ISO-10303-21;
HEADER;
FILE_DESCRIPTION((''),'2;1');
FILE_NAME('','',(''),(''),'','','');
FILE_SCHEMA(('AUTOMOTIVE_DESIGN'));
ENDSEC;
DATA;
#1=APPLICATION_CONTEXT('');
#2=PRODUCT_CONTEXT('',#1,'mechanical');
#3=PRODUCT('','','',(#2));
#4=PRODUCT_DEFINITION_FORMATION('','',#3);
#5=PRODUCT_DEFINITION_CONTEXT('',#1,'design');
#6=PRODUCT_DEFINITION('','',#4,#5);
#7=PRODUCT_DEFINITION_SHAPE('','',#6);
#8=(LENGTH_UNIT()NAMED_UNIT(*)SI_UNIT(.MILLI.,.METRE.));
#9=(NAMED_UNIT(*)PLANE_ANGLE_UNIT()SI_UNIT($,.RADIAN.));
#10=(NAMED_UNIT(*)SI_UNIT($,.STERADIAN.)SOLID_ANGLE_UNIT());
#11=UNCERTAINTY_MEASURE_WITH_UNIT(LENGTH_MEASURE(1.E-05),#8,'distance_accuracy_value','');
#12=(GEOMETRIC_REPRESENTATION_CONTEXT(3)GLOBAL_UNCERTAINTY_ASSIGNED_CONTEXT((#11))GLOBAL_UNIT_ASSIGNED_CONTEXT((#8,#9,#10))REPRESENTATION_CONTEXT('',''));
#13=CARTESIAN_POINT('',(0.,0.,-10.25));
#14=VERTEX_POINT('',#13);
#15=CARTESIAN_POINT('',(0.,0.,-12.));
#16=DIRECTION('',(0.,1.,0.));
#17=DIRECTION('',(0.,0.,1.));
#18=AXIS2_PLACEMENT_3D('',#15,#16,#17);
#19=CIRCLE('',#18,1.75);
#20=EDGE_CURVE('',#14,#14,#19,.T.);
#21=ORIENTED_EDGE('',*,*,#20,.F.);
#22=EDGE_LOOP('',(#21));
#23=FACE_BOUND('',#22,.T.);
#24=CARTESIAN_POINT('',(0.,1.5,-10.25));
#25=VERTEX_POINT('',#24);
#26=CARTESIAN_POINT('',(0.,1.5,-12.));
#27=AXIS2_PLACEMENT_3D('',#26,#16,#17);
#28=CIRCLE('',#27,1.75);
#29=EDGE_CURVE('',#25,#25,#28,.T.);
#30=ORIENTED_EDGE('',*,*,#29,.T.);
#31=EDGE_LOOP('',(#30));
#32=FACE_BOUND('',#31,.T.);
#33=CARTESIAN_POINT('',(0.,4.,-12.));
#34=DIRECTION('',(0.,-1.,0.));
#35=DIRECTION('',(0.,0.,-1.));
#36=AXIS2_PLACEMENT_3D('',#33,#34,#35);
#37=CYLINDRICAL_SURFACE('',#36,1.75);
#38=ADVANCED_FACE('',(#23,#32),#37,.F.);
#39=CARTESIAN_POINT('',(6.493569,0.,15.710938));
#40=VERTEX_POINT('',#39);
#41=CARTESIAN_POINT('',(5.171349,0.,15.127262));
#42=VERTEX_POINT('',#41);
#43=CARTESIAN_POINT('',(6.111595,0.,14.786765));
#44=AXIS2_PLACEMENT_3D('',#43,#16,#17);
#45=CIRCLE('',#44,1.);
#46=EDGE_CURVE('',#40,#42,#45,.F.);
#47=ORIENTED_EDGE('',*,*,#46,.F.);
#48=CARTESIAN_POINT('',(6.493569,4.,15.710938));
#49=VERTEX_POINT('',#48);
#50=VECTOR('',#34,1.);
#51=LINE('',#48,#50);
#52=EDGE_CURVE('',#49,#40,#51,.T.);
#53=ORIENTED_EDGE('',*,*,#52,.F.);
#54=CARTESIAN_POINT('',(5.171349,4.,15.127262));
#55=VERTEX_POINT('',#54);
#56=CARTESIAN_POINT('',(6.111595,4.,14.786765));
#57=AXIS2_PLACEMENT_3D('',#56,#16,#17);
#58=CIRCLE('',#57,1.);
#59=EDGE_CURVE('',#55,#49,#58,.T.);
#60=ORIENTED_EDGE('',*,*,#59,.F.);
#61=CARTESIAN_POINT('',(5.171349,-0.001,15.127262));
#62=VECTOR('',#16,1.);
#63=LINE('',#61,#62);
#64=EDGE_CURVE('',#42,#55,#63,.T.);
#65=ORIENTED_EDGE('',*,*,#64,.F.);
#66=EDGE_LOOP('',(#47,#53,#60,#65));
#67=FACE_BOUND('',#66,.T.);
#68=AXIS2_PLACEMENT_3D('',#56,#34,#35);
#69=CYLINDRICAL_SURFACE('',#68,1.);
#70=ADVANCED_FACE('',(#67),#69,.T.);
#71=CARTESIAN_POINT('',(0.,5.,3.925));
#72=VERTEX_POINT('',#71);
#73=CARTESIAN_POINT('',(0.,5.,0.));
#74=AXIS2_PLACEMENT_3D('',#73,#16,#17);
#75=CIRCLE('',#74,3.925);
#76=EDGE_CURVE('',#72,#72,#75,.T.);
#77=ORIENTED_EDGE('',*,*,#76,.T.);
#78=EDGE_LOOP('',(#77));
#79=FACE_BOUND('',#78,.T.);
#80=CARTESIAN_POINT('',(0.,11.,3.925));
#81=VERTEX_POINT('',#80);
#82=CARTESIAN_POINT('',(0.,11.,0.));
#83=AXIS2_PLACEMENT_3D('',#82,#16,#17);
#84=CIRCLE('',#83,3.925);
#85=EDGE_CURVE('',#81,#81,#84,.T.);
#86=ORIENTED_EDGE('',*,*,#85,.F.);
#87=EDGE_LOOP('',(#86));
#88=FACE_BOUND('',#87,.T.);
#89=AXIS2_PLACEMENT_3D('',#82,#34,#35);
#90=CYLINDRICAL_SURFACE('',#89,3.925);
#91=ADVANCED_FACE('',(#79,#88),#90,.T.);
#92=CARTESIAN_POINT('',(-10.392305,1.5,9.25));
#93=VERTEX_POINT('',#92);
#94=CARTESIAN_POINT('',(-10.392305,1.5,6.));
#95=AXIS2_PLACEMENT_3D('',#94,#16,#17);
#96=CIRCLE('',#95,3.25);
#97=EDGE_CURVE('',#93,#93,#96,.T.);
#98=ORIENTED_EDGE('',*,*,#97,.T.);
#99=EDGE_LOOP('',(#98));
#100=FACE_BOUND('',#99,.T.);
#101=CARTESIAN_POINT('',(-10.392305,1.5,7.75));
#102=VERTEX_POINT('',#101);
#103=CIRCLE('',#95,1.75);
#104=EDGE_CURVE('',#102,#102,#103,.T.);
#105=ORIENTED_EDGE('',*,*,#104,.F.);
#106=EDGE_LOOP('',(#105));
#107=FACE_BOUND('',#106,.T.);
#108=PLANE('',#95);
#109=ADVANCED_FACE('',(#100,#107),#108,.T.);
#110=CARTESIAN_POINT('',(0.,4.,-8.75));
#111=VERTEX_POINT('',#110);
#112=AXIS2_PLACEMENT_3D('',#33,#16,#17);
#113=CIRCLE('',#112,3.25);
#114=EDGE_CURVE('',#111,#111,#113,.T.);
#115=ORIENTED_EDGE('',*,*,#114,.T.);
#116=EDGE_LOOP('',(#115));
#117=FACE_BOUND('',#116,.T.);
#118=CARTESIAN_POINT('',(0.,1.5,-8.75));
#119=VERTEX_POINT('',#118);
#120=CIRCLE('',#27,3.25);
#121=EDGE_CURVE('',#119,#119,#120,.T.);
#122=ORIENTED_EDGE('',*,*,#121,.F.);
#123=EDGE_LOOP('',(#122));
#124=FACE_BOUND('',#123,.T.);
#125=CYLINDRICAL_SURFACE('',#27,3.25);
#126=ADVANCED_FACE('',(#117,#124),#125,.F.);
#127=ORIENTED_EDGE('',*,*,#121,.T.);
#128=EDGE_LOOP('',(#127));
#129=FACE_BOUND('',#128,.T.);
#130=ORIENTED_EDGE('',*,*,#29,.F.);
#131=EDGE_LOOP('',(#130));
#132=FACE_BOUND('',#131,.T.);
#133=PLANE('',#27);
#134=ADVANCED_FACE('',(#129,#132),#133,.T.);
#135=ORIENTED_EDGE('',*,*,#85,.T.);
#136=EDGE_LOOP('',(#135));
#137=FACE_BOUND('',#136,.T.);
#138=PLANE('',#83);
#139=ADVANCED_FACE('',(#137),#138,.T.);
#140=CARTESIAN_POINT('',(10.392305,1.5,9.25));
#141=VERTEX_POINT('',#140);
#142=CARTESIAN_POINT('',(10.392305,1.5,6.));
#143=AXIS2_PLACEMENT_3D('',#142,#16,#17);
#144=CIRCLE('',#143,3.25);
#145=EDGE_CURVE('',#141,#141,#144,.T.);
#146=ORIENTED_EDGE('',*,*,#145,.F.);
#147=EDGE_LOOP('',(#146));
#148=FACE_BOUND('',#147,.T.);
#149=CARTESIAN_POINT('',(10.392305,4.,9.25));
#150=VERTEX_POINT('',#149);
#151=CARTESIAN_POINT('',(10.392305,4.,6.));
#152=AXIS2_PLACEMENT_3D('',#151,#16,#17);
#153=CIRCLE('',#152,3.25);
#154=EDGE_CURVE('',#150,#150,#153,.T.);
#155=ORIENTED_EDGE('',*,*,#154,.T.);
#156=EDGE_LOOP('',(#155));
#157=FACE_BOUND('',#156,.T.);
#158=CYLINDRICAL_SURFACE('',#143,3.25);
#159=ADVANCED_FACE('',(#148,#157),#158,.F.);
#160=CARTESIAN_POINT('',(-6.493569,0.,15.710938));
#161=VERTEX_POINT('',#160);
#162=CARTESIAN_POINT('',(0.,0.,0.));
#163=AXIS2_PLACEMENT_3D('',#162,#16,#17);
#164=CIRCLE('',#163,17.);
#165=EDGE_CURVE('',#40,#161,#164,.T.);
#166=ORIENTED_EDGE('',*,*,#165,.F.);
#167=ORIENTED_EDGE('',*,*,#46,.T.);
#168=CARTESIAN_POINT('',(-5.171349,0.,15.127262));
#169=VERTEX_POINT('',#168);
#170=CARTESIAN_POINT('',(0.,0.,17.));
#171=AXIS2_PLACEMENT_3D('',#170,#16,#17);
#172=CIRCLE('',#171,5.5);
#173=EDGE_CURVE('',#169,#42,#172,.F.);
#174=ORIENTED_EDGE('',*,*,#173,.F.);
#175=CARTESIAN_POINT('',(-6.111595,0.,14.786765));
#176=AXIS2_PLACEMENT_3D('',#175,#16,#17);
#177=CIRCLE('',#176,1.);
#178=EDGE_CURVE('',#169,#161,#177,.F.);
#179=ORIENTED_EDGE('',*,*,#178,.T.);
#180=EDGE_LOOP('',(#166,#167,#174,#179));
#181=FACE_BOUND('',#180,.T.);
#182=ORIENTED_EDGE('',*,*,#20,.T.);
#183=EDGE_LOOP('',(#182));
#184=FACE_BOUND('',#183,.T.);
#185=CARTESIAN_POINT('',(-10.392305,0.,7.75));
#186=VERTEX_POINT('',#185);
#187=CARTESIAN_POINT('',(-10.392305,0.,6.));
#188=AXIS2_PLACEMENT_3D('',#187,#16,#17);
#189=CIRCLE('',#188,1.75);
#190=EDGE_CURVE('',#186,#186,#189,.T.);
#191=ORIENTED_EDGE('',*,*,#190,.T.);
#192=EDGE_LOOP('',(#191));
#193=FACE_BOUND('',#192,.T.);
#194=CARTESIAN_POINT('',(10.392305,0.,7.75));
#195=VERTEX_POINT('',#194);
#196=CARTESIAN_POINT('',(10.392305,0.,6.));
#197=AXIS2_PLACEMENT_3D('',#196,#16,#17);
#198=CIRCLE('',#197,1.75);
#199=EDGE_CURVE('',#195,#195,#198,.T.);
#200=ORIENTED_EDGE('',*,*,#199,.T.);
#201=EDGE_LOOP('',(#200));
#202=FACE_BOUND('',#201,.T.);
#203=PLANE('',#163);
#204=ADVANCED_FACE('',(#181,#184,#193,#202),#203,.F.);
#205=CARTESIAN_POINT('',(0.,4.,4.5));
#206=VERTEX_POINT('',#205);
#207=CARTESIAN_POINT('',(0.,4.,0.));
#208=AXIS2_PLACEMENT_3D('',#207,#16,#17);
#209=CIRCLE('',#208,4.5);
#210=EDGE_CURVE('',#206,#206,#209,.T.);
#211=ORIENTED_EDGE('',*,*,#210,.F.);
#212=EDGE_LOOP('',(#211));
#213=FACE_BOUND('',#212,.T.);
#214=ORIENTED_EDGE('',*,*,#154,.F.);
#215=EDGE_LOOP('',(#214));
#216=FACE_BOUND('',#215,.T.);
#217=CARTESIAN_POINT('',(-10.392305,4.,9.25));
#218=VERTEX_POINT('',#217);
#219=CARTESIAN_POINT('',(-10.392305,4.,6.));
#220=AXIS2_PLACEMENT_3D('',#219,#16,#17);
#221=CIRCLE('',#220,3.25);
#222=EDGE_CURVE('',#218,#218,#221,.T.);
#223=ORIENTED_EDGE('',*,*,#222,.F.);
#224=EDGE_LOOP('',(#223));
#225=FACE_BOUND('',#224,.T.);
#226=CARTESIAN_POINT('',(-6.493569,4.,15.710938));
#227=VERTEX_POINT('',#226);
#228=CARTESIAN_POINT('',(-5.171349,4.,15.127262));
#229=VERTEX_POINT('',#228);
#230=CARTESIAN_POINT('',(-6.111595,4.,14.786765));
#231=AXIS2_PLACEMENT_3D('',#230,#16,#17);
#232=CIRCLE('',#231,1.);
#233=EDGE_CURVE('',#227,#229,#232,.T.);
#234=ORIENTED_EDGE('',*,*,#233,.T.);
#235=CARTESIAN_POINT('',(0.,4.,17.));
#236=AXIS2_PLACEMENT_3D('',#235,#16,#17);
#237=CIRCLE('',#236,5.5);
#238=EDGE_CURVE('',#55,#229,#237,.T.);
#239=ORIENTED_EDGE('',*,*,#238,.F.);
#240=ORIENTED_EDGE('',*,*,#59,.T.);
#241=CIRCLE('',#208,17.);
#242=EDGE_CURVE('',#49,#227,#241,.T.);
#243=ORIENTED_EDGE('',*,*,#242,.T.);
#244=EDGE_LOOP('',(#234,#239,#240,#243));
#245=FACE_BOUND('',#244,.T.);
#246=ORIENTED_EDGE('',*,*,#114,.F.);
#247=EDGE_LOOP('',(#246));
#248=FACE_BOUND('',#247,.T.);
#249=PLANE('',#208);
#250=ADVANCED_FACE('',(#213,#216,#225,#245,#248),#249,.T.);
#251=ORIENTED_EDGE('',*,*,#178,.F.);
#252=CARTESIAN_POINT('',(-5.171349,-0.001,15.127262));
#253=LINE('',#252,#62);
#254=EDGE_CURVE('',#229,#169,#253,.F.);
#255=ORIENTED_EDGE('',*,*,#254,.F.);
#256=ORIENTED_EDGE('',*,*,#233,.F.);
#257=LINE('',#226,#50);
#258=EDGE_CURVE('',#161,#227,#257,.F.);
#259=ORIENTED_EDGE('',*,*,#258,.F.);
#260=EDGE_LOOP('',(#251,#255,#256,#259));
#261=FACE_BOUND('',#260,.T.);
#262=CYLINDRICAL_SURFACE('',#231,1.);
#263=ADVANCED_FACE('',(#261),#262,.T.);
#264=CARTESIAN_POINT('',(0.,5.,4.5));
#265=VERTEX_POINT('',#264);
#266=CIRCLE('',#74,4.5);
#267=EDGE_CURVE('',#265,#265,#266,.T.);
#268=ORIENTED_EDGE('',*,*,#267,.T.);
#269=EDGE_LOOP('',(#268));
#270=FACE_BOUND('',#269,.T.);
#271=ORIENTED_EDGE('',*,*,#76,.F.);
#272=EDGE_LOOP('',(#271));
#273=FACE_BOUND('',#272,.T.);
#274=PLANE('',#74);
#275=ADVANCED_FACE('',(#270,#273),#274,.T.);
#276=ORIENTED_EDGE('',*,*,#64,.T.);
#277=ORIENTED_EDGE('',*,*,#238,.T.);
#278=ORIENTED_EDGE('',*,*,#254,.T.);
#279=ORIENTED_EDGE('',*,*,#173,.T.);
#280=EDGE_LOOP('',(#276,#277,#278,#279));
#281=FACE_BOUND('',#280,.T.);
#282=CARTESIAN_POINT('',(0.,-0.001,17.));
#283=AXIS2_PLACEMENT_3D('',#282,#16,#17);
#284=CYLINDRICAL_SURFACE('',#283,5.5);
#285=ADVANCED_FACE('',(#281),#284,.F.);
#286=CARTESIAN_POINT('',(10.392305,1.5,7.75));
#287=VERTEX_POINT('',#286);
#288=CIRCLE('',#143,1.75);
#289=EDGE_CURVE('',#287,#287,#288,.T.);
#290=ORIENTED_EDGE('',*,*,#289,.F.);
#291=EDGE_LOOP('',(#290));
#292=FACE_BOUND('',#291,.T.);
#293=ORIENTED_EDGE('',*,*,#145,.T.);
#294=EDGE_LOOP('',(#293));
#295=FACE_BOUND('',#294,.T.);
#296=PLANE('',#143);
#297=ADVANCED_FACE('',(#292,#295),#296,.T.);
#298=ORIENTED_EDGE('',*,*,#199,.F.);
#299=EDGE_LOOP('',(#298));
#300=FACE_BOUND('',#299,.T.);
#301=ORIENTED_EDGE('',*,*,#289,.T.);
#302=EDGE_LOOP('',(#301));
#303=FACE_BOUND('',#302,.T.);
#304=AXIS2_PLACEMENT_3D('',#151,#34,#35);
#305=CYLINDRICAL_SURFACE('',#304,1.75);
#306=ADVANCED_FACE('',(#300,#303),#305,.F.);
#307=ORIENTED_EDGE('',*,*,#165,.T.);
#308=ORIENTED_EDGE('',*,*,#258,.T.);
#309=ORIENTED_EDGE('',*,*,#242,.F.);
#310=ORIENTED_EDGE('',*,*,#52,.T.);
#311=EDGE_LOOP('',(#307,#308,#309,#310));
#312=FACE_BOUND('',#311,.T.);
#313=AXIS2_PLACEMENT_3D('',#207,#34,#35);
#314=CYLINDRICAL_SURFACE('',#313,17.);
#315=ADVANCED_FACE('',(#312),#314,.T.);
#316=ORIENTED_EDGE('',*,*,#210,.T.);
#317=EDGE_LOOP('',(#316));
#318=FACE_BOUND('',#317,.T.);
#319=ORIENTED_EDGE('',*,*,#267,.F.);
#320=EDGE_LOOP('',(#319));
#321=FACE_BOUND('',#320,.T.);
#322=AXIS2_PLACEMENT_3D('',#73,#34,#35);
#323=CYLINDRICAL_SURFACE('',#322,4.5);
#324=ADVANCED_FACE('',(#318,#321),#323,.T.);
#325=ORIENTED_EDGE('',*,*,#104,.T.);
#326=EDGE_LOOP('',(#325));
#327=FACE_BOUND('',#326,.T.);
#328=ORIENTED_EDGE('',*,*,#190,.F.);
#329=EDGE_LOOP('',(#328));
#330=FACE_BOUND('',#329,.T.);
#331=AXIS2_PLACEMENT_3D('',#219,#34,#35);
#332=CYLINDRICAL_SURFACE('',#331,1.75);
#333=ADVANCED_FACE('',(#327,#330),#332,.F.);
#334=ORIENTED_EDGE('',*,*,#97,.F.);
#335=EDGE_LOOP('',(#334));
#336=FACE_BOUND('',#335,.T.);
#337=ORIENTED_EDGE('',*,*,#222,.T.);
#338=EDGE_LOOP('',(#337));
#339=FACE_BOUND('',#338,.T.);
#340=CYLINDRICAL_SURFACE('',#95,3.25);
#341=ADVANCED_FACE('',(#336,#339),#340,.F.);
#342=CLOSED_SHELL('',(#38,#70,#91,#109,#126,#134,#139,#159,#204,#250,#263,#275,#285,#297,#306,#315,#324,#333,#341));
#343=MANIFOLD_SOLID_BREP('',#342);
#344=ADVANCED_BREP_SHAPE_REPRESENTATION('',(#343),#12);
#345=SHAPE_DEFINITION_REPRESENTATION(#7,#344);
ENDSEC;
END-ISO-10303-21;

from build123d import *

# Parameters (mm, degrees)
SKETCH1_R           = 17
SKETCH1_R_2         = 1.75
BOSS_EXTRUDE1_DEPTH = 4
SKETCH2_R           = 3.25
CUT_EXTRUDE1_DEPTH  = 2.5
SKETCH3_R           = 4.5
BOSS_EXTRUDE2_DEPTH = 1
SKETCH4_R           = 3.925
BOSS_EXTRUDE3_DEPTH = 6
CUT_EXTRUDE2_REACH  = 27.04
SKETCH5_R           = 5.5
FILLET1_R           = 1


with BuildPart() as part:
    # Sketch1 → Boss-Extrude1 (new body)
    with BuildSketch(Plane(origin=(0, 0, 0), x_dir=(1, 0, 0), z_dir=(0, 1, 0))):
        with Locations(Location((0, 0, 0), (0, 0, 270))):
            Circle(SKETCH1_R)
        with Locations(Location((0, 12, 0), (0, 0, 270))):
            Circle(SKETCH1_R_2, mode=Mode.SUBTRACT)
        with Locations(Location((10.392304845, -6, 0), (0, 0, 270))):
            Circle(SKETCH1_R_2, mode=Mode.SUBTRACT)
        with Locations(Location((-10.392304845, -6, 0), (0, 0, 270))):
            Circle(SKETCH1_R_2, mode=Mode.SUBTRACT)
    extrude(amount=BOSS_EXTRUDE1_DEPTH)

    # Sketch2 → Cut-Extrude1 (cut)
    with BuildSketch(Plane(origin=(0, 4, 0), x_dir=(1, 0, 0), z_dir=(0, 1, 0))):
        with Locations(Location((0, 12, 0), (0, 0, 270))):
            Circle(SKETCH2_R)
        with Locations(Location((10.392304845, -6, 0), (0, 0, 270))):
            Circle(SKETCH2_R)
        with Locations(Location((-10.392304845, -6, 0), (0, 0, 270))):
            Circle(SKETCH2_R)
    extrude(amount=-CUT_EXTRUDE1_DEPTH, mode=Mode.SUBTRACT)

    # Sketch3 → Boss-Extrude2 (add)
    with BuildSketch(Plane(origin=(0, 4, 0), x_dir=(1, 0, 0), z_dir=(0, 1, 0))):
        with Locations(Location((0, 0, 0), (0, 0, 270))):
            Circle(SKETCH3_R)
    extrude(amount=BOSS_EXTRUDE2_DEPTH)

    # Sketch4 → Boss-Extrude3 (add)
    with BuildSketch(Plane(origin=(0, 5, 0), x_dir=(1, 0, 0), z_dir=(0, 1, 0))):
        with Locations(Location((0, 0, 0), (0, 0, 270))):
            Circle(SKETCH4_R)
    extrude(amount=BOSS_EXTRUDE3_DEPTH)

    # Sketch5 → Cut-Extrude2 (cut, up to next)
    with BuildSketch(Plane(origin=(0, 4, 0), x_dir=(1, 0, 0), z_dir=(0, 1, 0)), mode=Mode.PRIVATE) as cut_extrude2_sk1:
        with Locations((0, -17)):
            Circle(SKETCH5_R)
    cut_extrude2_tool1 = extrude(cut_extrude2_sk1.sketch, amount=-CUT_EXTRUDE2_REACH, mode=Mode.PRIVATE) & part.part
    add(cut_extrude2_tool1.solids().sort_by_distance((0, 4, 17))[0], mode=Mode.SUBTRACT)

    # Fillet1
    fillet1_edges = [part.edges().sort_by_distance(p)[0] for p in [
        (-5.427561464, 2, 16.110294118),
        (5.427561464, 2, 16.110294118),
    ]]
    fillet(fillet1_edges, radius=FILLET1_R)


solid = part.part
